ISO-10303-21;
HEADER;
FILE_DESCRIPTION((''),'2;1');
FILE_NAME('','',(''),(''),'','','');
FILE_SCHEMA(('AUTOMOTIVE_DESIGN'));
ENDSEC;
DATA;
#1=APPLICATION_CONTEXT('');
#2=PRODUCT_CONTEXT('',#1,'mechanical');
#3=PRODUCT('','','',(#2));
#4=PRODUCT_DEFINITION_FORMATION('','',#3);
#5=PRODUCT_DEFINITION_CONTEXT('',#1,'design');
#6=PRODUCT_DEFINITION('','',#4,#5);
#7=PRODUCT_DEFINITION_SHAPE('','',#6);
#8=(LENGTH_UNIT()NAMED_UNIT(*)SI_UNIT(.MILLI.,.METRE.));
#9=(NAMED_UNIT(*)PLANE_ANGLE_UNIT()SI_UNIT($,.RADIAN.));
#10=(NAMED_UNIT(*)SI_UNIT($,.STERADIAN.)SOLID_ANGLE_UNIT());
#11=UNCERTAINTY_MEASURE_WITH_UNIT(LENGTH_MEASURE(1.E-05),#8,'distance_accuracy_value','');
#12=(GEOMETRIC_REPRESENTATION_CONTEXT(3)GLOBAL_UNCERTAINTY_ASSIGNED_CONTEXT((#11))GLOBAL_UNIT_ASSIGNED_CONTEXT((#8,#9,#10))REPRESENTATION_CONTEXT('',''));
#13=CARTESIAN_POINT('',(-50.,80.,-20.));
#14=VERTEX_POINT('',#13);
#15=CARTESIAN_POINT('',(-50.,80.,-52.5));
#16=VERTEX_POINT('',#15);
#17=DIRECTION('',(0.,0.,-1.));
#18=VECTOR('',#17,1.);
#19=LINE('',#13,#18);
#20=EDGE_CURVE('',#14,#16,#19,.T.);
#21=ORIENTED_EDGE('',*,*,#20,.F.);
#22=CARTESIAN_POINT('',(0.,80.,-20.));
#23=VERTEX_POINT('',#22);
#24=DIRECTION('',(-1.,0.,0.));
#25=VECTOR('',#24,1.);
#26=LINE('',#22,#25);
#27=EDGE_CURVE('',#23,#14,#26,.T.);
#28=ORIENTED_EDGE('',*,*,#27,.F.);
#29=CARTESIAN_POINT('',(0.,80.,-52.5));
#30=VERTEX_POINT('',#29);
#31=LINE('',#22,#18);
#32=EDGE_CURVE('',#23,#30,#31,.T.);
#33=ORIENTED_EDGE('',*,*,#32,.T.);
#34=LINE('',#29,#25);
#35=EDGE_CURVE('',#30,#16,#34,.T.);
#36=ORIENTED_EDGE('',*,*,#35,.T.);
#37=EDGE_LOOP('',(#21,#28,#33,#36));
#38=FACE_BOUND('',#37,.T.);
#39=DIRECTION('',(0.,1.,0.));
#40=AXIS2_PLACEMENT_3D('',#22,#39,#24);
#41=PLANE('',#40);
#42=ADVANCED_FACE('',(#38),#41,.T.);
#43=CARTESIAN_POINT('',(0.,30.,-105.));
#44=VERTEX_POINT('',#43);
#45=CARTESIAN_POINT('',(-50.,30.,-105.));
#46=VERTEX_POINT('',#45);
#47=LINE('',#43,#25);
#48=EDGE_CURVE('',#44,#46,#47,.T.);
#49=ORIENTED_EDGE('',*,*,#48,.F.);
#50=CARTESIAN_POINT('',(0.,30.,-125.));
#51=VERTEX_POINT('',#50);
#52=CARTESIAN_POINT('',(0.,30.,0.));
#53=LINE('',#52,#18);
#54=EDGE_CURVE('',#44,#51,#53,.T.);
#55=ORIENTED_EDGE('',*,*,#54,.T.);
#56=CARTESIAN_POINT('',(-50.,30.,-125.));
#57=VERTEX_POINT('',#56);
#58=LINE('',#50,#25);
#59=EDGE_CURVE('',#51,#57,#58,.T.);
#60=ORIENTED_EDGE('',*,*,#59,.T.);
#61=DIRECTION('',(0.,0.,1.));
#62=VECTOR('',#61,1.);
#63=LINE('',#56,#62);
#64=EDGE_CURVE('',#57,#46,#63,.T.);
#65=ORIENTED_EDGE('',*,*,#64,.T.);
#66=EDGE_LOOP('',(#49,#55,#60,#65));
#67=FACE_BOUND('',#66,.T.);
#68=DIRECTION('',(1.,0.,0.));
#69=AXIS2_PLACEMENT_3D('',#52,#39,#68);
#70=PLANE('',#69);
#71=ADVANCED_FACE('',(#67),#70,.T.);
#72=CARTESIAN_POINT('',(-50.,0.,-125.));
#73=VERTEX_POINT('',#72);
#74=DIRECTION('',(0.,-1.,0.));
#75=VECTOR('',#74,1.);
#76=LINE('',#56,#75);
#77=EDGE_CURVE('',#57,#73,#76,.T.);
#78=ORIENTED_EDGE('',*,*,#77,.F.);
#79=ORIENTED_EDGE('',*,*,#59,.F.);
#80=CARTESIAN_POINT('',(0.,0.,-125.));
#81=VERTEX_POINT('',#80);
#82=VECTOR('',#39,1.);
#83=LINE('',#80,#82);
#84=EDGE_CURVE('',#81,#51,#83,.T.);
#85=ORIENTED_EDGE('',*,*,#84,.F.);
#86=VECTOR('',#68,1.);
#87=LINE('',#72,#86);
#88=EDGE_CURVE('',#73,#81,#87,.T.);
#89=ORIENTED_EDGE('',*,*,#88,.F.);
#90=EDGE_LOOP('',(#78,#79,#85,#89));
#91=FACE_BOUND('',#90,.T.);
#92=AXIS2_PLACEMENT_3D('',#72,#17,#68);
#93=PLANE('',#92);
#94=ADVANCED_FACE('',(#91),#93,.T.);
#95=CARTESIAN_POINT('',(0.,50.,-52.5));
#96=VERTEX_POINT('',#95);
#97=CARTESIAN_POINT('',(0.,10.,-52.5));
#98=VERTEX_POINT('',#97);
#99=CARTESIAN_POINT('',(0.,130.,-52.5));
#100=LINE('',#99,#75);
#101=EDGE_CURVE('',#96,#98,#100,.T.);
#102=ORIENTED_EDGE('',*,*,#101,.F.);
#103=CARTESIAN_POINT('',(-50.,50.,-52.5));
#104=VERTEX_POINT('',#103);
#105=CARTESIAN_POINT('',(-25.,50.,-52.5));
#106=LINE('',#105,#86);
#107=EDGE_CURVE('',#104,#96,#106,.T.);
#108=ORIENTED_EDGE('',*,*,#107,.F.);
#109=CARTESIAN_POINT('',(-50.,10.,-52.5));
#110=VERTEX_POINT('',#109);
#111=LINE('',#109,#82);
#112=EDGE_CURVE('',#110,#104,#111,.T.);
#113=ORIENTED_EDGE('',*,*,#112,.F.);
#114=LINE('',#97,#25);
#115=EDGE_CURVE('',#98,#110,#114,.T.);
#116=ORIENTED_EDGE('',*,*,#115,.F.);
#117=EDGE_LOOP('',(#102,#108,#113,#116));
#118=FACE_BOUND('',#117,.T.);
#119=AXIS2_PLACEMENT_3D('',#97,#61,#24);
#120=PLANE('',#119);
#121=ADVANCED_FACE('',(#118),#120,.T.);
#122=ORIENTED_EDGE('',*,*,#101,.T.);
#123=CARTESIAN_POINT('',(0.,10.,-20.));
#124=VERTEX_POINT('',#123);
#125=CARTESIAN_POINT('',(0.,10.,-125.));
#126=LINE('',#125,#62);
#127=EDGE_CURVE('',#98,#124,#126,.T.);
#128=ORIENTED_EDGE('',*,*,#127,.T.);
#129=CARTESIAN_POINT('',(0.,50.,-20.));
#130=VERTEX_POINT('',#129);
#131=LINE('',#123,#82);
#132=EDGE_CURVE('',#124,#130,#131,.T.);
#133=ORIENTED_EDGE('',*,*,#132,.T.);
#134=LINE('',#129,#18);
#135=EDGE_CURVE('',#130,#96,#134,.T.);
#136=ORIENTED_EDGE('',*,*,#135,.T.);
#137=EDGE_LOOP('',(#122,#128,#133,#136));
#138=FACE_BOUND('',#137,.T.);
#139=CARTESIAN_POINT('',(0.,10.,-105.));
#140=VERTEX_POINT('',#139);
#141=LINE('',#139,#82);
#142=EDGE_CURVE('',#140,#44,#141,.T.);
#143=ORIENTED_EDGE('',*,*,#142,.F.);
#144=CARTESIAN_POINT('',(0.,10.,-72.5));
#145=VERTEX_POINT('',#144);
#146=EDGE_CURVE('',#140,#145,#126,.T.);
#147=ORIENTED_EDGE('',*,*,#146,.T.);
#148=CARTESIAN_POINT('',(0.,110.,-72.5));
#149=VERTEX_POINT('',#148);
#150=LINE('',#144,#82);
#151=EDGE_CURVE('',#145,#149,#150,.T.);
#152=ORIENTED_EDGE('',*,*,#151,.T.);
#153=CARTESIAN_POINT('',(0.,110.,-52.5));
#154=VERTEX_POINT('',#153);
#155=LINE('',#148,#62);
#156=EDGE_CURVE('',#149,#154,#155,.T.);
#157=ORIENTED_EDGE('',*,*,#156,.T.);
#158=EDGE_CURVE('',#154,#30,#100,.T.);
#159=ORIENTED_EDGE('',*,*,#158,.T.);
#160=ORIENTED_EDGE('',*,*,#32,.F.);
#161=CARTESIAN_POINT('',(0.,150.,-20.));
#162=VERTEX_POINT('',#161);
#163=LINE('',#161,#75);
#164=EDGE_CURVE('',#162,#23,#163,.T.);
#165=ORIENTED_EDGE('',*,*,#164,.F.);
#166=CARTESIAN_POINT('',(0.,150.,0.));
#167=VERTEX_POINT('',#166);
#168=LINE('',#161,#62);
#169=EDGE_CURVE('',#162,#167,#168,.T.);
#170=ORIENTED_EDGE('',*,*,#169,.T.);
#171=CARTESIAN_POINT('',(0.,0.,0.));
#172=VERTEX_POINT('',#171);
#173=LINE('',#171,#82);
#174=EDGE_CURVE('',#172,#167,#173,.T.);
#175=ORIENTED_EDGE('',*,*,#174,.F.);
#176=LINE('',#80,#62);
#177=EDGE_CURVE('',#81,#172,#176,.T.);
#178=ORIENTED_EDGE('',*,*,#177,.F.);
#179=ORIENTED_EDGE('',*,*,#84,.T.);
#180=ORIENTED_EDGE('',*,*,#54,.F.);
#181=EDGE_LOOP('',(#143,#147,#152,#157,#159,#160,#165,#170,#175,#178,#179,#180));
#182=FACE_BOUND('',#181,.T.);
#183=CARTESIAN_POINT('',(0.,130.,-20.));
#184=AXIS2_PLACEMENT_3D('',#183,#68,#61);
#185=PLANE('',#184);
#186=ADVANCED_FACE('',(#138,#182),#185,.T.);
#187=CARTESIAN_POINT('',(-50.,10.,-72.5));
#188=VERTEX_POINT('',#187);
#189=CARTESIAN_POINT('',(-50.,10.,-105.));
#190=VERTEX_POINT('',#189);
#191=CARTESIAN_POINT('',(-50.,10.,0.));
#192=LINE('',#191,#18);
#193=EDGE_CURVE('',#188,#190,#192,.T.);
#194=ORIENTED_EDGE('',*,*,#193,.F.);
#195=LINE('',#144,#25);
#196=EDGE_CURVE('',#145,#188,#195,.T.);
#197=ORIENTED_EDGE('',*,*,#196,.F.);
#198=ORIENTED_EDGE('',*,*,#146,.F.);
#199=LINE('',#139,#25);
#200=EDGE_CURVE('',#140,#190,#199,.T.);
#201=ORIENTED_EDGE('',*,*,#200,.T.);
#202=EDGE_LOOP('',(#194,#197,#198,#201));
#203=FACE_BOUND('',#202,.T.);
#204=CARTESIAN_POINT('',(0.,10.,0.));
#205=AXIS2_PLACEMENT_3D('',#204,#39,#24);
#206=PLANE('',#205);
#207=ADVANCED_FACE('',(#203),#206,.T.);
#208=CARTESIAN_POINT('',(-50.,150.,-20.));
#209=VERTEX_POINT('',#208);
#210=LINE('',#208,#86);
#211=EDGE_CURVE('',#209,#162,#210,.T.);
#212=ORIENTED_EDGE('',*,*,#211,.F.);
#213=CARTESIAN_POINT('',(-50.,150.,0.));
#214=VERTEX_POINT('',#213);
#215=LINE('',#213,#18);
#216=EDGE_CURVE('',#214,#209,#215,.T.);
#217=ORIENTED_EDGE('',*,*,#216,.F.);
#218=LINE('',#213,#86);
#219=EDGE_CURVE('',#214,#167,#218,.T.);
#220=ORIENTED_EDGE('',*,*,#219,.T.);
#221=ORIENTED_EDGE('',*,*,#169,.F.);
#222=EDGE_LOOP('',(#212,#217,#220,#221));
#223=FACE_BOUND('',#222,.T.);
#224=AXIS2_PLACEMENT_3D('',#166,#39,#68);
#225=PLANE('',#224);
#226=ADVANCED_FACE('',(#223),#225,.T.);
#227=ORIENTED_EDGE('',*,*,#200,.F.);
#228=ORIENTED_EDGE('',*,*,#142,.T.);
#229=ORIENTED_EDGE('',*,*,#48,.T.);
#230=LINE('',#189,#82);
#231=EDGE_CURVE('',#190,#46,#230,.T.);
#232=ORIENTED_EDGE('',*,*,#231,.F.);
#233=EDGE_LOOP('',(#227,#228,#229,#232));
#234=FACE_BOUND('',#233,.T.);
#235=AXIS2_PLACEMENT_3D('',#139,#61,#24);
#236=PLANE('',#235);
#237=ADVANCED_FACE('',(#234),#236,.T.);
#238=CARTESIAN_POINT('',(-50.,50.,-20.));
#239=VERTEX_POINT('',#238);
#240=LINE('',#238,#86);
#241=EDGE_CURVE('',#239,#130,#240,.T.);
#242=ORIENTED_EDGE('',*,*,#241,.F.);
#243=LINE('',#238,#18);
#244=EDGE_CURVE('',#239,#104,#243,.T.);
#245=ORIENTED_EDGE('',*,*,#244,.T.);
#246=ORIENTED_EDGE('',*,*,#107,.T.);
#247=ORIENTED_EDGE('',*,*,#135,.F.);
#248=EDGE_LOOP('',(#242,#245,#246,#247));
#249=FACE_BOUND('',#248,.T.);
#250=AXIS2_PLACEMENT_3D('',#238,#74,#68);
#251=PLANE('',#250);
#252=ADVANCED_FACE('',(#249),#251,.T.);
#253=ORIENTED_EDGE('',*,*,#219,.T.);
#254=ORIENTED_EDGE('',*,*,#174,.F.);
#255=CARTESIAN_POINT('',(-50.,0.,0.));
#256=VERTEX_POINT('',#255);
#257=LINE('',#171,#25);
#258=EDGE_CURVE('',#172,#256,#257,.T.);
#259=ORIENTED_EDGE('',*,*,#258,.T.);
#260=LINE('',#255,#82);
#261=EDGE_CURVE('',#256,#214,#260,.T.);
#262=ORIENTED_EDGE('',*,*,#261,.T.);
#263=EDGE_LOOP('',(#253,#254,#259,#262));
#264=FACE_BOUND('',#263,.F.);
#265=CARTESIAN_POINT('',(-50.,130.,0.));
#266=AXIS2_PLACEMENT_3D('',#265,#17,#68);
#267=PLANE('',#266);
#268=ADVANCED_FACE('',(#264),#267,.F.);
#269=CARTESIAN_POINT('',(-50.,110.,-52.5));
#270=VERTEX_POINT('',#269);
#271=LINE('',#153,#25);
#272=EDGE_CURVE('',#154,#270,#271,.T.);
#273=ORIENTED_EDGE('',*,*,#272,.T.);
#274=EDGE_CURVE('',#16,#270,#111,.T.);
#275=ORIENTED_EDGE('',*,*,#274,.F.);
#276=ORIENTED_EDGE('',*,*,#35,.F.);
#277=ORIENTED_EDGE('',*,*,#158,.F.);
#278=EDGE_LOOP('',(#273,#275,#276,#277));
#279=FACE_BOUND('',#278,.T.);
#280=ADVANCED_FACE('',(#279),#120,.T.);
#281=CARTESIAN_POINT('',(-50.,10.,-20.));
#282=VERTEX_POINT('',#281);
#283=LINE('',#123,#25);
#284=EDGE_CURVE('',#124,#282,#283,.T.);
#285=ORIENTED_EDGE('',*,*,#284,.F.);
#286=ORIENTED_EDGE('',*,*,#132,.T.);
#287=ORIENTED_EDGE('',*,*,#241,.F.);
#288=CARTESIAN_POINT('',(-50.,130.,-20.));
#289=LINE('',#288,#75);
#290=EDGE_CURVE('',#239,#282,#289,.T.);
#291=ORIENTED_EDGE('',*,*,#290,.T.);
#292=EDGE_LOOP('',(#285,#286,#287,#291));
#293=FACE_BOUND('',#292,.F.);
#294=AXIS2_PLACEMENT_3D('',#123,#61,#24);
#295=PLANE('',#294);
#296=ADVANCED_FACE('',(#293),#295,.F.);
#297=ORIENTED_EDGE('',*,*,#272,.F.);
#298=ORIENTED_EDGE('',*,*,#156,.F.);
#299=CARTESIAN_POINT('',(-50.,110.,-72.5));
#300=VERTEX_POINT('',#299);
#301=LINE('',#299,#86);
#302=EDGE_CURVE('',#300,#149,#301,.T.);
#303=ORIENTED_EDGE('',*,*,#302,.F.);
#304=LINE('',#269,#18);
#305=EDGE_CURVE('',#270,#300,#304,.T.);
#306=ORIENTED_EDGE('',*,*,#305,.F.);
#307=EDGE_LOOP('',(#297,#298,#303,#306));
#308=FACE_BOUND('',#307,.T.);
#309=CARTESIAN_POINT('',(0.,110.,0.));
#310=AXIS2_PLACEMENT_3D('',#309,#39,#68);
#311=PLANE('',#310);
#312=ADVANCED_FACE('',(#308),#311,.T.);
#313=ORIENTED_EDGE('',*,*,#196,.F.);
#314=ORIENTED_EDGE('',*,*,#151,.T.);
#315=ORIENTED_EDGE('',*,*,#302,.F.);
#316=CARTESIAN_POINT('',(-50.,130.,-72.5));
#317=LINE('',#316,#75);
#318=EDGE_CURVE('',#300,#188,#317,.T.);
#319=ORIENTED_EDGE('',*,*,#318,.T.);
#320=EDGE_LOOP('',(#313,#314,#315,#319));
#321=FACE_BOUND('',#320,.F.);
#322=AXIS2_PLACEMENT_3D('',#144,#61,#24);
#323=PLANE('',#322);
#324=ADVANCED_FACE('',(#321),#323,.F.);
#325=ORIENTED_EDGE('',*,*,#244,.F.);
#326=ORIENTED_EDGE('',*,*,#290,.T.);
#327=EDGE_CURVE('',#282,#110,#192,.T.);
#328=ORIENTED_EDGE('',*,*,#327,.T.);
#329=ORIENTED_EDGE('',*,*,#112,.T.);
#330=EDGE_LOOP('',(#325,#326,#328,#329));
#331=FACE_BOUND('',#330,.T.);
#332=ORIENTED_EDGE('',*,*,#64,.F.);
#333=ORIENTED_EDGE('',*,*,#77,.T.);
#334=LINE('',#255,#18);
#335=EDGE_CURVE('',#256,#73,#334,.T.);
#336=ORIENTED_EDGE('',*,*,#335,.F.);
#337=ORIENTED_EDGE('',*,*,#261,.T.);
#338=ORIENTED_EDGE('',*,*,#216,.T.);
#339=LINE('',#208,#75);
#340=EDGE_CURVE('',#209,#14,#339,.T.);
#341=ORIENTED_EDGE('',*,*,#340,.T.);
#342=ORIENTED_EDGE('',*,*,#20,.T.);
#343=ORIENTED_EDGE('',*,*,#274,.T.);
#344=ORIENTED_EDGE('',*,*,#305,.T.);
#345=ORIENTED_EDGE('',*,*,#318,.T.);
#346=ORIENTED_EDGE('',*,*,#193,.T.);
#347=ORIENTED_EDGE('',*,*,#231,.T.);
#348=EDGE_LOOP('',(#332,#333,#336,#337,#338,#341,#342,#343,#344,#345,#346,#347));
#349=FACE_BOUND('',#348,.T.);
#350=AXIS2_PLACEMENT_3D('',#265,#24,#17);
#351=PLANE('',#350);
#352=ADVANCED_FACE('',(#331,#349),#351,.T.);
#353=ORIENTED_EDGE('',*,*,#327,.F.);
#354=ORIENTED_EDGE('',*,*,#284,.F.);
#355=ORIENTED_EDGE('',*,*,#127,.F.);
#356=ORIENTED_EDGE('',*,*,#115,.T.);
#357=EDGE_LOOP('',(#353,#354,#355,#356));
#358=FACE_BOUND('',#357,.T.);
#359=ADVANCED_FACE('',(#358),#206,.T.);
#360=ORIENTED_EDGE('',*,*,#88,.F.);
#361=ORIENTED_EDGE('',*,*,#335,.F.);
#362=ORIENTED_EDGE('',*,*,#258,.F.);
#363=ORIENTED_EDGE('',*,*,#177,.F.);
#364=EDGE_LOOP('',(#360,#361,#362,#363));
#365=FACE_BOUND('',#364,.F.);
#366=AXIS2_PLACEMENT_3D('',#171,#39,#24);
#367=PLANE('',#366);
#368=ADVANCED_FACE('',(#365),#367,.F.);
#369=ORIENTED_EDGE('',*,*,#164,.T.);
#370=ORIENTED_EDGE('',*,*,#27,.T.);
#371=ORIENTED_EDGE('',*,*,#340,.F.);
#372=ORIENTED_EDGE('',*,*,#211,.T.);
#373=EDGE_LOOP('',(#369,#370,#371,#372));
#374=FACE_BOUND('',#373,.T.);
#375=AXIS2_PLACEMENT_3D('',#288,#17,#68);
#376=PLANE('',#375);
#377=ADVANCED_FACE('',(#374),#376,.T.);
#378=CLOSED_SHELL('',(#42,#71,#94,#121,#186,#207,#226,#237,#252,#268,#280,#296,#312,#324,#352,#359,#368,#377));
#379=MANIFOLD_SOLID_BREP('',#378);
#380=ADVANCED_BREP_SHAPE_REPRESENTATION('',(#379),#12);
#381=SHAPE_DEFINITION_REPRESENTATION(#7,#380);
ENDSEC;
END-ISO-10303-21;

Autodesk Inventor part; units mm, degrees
ref_plane "YZ Plane" through (0, 0, 0) normal (1, 0, 0) x (0, 1, 0)
ref_plane "XZ Plane" through (0, 0, 0) normal (0, 1, 0) x (-1, 0, 0)
ref_plane "XY Plane" through (0, 0, 0) normal (0, 0, 1) x (1, 0, 0)
sketch "Sketch1" plane through (0, 0, 0) normal (0, 1, 0) x (-1, 0, 0)
  line L0 (0, 0) -> (50, 0)
  line L1 (50, 0) -> (50, -125)
  line L2 (50, -125) -> (0, -125)
  line L3 (0, -125) -> (0, 0)
  dimension "d0" = 50
  dimension "d1" = 125
extrude "Extrusion1" add sketch "Sketch1" along normal blind 10
sketch "Sketch2" plane through (0, 10, 0) normal (0, 1, 0) x (1, 0, 0)
  line L0 (-50, 125) -> (-50, 0) projected
  line L1 (0, 0) -> (0, 125) projected
  line L2 (-50, 0) -> (0, 0)
  line L3 (0, 0) -> (0, 20)
  line L4 (0, 20) -> (-50, 20)
  line L5 (-50, 20) -> (-50, 0)
  line L6 (0, 125) -> (-50, 125) projected
  line L7 (-50, 125) -> (0, 125)
  line L8 (0, 125) -> (0, 105)
  line L9 (0, 105) -> (-50, 105)
  line L10 (-50, 105) -> (-50, 125)
  line L11 (-50, 62.5) -> (0, 62.5)
  line L12 (0, 62.5) -> (0, 72.5)
  line L13 (0, 72.5) -> (-50, 72.5)
  line L14 (-50, 72.5) -> (-50, 62.5)
  line L15 (-50, 62.5) -> (0, 62.5)
  line L16 (0, 62.5) -> (0, 52.5)
  line L17 (0, 52.5) -> (-50, 52.5)
  line L18 (-50, 52.5) -> (-50, 62.5)
  dimension "d4" = 20
  dimension "d5" = 20
  dimension "d6" = 10
  dimension "d7" = 10
extrude "Extrusion2" add sketch "Sketch2" along normal blind 20 contours L6 L1 L9 L0 | L13 L1 L11 L0 | L11 L1 L17 L0 | L4 L1 L2 L0
sketch "Sketch3" plane through (0, 30, 0) normal (0, 1, 0) x (1, 0, 0)
  line L0 (0, 20) -> (0, 52.5) projected
  line L1 (-50, 0) -> (0, 0)
  line L2 (0, 0) -> (0, 20)
  line L3 (0, 20) -> (-50, 20)
  line L4 (-50, 20) -> (-50, 0)
  line L5 (-50, 52.5) -> (0, 52.5) projected
  line L6 (0, 72.5) -> (-50, 72.5) projected
  line L7 (-50, 52.5) -> (0, 52.5)
  line L8 (0, 52.5) -> (0, 72.5)
  line L9 (0, 72.5) -> (-50, 72.5)
  line L10 (-50, 72.5) -> (-50, 52.5)
extrude "Extrusion3" add sketch "Sketch3" along normal blind 100
sketch "Sketch4" plane through (0, 10, -20) normal (0, 0, -1) x (-1, 0, 0)
  line L0 (0, 0) -> (0, 120) projected
  line L1 (50, 0) -> (50, 120) projected
  line L2 (0, 120) -> (50, 120)
  line L3 (50, 120) -> (50, 100)
  line L4 (50, 100) -> (0, 100)
  line L5 (0, 100) -> (0, 120)
  line L6 (50, 100) -> (0, 100)
  line L7 (0, 100) -> (0, 70)
  line L8 (0, 70) -> (50, 70)
  line L9 (50, 70) -> (50, 100)
  line L10 (0, 70) -> (50, 70)
  line L11 (50, 70) -> (50, 40)
  line L12 (50, 40) -> (0, 40)
  line L13 (0, 40) -> (0, 70)
  point P0 (0, -10)
  dimension "d12" = 20
  dimension "d13" = 30
  dimension "d14" = 30
extrude "Extrusion4" add sketch "Sketch4" along normal blind 40 contours L0 L8 L1 L12
sketch "Sketch5" plane through (0, 130, 0) normal (0, 1, 0) x (1, 0, 0)
  line L0 (-50, 105) -> (-50, 72.5) projected
  line L1 (0, 52.5) -> (-50, 52.5)
  line L2 (-50, 52.5) -> (-50, 72.5)
  line L3 (-50, 72.5) -> (0, 72.5)
  line L4 (0, 72.5) -> (0, 52.5)
  point P0 (0, 0)
extrude "Extrusion5" cut sketch "Sketch5" against normal blind 20
sketch "Sketch6" plane through (0, 0, 0) normal (1, 0, 0) x (0, 0, -1)
  point P0 (0, 0)
sketch "Sketch7" plane through (0, 130, 0) normal (0, 1, 0) x (1, 0, 0)
  line L0 (-50, 0) -> (0, 0) projected
  line L1 (-50, 20) -> (0, 20) projected
  line L2 (0, 0) -> (-50, 0)
  line L3 (-50, 0) -> (-50, 20)
  line L4 (-50, 20) -> (0, 20)
  line L5 (0, 20) -> (0, 0)
extrude "Extrusion6" add sketch "Sketch7" along normal blind 20
equation "\"BendRadius\" = Thickness"
equation "\"BendReliefWidth\" = Thickness"
equation "\"BendReliefDepth\" = 0.5 * Thickness"
equation "\"CornerReliefSize\" = 4 * Thickness"
equation "\"MinimumRemnant\" = 2 * Thickness"
equation "\"TransitionRadius\" = BendRadius"
equation "\"JacobiRadiusSize\" = BendRadius"
equation "\"GapSize\" = Thickness"
equation "\"Thickness\" = 0.5"
